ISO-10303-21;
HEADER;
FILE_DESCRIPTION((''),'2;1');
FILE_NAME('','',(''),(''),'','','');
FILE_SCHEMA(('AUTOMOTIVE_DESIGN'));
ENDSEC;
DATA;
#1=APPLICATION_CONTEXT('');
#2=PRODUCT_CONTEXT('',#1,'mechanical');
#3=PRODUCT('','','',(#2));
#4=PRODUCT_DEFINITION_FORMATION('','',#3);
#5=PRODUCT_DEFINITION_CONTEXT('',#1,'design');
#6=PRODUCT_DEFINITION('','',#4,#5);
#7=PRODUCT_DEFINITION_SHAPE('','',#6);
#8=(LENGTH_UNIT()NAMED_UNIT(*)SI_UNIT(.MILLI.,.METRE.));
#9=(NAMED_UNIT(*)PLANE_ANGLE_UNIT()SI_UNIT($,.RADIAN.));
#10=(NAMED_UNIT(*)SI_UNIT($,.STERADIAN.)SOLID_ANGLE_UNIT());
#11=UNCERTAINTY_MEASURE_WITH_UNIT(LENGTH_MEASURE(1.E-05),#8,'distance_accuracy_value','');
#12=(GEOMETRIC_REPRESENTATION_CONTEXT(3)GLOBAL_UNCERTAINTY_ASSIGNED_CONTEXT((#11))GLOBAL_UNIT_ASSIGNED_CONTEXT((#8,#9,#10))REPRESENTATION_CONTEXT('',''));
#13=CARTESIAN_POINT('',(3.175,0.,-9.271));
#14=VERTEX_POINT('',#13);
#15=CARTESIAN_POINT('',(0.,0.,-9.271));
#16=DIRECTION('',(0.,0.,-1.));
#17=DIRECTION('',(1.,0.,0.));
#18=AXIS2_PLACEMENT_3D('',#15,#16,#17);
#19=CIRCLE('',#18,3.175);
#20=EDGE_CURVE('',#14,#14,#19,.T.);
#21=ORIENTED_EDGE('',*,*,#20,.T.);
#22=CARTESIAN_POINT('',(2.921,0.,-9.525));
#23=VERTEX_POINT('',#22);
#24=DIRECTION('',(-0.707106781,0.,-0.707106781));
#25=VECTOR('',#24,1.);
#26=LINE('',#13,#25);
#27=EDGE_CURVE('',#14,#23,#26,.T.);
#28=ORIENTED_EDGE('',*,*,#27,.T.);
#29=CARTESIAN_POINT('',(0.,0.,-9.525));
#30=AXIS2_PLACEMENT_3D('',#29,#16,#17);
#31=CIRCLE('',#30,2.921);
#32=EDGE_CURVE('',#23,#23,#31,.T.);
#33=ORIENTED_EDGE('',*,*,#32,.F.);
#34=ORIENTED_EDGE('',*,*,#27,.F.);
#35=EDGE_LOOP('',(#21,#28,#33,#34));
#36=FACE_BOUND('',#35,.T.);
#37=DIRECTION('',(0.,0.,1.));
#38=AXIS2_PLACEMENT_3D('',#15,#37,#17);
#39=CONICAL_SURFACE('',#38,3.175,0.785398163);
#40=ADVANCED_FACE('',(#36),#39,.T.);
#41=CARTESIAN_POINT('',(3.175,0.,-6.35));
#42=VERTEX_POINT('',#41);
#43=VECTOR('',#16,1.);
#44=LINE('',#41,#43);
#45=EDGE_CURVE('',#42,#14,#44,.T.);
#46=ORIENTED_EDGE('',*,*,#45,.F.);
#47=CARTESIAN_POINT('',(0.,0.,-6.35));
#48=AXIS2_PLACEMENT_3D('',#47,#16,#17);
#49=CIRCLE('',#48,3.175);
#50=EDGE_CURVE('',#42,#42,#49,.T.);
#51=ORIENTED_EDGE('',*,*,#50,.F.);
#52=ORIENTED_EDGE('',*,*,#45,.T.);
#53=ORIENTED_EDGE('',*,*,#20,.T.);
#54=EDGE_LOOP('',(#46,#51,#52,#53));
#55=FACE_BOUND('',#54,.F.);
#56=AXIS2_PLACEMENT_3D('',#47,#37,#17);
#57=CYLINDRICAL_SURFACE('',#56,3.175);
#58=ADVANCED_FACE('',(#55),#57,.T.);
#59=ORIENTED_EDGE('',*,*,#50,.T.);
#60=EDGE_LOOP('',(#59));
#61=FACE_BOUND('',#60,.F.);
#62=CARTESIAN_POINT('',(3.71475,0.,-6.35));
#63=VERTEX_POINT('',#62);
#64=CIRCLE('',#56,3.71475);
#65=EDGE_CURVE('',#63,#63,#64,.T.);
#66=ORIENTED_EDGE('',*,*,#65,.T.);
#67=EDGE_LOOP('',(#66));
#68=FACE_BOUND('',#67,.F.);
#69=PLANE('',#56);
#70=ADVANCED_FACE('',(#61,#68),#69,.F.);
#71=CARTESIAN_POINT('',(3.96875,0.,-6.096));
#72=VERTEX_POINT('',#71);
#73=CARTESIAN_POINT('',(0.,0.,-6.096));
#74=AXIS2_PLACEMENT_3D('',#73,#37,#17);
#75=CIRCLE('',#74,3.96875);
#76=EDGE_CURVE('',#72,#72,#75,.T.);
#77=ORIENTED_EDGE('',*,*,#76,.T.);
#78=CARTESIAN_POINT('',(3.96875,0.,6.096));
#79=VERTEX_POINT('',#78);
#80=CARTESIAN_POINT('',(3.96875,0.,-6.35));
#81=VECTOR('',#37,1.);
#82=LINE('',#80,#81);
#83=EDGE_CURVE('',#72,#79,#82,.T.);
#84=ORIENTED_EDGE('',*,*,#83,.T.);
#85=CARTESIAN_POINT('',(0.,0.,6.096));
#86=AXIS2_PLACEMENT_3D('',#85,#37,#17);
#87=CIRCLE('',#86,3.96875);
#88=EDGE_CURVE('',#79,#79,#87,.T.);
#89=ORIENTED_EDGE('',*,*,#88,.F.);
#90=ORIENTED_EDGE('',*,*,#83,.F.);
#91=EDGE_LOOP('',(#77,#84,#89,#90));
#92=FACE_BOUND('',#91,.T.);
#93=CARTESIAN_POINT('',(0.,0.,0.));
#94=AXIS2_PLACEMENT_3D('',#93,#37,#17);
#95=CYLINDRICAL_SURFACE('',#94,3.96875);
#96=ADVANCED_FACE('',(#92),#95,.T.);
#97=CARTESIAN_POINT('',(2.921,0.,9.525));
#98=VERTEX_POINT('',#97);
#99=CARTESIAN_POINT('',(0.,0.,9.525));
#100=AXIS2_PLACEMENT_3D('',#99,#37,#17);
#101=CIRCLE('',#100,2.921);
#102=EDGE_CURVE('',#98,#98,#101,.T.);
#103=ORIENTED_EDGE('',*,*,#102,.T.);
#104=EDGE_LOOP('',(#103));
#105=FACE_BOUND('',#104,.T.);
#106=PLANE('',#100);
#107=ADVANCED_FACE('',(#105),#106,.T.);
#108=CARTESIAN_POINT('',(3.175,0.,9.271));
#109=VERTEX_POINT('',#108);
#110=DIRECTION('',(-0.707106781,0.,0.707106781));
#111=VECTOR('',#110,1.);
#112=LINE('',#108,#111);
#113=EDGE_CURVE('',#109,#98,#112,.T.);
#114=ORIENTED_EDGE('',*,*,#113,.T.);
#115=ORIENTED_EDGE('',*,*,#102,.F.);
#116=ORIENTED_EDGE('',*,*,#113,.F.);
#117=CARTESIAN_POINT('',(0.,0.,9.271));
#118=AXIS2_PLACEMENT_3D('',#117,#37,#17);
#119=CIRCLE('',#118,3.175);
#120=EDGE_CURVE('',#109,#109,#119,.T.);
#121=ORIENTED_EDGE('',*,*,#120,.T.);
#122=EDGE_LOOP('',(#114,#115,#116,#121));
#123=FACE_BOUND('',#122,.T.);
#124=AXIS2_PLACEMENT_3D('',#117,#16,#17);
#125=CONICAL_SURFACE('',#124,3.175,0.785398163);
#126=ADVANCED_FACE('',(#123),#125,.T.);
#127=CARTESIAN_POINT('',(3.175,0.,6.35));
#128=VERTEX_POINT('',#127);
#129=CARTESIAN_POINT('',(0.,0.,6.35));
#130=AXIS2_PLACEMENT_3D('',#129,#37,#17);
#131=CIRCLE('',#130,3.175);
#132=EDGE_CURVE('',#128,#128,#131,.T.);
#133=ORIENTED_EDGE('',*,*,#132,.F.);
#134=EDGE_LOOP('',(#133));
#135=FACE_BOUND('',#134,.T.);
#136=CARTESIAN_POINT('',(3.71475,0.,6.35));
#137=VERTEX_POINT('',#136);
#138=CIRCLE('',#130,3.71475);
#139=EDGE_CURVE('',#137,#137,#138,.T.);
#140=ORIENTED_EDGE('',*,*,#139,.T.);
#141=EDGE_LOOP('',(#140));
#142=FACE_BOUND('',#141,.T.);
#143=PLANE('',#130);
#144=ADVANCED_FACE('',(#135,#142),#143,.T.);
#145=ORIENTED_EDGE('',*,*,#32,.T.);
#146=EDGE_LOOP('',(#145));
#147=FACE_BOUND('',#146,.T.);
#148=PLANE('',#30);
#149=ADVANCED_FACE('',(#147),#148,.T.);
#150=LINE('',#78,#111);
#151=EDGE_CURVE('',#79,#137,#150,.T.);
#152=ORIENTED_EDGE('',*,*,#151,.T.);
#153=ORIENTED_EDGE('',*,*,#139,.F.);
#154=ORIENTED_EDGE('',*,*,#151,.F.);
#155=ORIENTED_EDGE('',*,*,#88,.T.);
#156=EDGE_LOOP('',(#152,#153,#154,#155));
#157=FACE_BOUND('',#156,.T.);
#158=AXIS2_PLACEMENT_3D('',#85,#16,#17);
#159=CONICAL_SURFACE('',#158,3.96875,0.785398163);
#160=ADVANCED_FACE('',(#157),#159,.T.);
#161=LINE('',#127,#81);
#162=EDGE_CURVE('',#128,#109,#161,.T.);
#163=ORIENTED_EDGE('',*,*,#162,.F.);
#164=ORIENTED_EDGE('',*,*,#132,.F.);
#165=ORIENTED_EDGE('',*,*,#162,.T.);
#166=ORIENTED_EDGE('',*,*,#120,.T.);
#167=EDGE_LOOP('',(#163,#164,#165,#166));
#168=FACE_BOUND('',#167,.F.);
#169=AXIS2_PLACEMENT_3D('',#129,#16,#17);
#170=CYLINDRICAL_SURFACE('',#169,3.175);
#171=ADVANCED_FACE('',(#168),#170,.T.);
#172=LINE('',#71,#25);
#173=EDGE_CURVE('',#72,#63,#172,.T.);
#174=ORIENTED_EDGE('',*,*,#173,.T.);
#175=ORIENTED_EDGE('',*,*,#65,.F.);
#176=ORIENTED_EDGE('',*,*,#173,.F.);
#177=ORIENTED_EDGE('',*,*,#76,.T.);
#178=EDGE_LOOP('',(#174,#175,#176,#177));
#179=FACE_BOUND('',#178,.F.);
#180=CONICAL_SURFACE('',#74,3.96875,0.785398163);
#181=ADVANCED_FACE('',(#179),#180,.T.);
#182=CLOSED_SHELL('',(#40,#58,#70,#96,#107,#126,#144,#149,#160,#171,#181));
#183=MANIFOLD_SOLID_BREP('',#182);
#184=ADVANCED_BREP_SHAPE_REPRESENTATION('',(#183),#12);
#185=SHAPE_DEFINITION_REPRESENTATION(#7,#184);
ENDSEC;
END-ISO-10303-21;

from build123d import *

# Parameters (mm, degrees)
F0_R     = 3.96875
F1_DEPTH = 6.35
F2_R     = 3.175
F3_DEPTH = 3.175
F4_DEPTH = 6.35
F5_R     = 3.175
F6_DEPTH = 3.175
F7_SIZE  = 0.254


with BuildPart() as f1:
    # F0 (on Top) → F1 (new body)
    with BuildSketch(Plane.XY):
        Circle(F0_R)
    extrude(amount=F1_DEPTH)

    # F2 (on face) → F3 (join)
    with BuildSketch(Plane.XY.offset(6.35)):
        Circle(F2_R)
    extrude(amount=F3_DEPTH)

    # F4 (add): a face of the model
    f4_faces = [f1.faces().sort_by_distance(p)[0] for p in [
        (0, 0, 0),
    ]]
    extrude(f4_faces, amount=F4_DEPTH)

    # F5 (on face) → F6 (join)
    with BuildSketch(Plane(origin=(0, 0, -6.35), x_dir=(1, 0, 0), z_dir=(0, 0, -1))):
        Circle(F5_R)
    extrude(amount=F6_DEPTH)

    # F7
    f7_edges = [f1.edges().sort_by_distance(p)[0] for p in [
        (-3.175, 0, 9.525),
        (-3.96875, 0, 6.35),
        (-3.96875, 0, -6.35),
        (-3.175, 0, -9.525),
    ]]
    chamfer(f7_edges, length=F7_SIZE)


solid = f1.part
